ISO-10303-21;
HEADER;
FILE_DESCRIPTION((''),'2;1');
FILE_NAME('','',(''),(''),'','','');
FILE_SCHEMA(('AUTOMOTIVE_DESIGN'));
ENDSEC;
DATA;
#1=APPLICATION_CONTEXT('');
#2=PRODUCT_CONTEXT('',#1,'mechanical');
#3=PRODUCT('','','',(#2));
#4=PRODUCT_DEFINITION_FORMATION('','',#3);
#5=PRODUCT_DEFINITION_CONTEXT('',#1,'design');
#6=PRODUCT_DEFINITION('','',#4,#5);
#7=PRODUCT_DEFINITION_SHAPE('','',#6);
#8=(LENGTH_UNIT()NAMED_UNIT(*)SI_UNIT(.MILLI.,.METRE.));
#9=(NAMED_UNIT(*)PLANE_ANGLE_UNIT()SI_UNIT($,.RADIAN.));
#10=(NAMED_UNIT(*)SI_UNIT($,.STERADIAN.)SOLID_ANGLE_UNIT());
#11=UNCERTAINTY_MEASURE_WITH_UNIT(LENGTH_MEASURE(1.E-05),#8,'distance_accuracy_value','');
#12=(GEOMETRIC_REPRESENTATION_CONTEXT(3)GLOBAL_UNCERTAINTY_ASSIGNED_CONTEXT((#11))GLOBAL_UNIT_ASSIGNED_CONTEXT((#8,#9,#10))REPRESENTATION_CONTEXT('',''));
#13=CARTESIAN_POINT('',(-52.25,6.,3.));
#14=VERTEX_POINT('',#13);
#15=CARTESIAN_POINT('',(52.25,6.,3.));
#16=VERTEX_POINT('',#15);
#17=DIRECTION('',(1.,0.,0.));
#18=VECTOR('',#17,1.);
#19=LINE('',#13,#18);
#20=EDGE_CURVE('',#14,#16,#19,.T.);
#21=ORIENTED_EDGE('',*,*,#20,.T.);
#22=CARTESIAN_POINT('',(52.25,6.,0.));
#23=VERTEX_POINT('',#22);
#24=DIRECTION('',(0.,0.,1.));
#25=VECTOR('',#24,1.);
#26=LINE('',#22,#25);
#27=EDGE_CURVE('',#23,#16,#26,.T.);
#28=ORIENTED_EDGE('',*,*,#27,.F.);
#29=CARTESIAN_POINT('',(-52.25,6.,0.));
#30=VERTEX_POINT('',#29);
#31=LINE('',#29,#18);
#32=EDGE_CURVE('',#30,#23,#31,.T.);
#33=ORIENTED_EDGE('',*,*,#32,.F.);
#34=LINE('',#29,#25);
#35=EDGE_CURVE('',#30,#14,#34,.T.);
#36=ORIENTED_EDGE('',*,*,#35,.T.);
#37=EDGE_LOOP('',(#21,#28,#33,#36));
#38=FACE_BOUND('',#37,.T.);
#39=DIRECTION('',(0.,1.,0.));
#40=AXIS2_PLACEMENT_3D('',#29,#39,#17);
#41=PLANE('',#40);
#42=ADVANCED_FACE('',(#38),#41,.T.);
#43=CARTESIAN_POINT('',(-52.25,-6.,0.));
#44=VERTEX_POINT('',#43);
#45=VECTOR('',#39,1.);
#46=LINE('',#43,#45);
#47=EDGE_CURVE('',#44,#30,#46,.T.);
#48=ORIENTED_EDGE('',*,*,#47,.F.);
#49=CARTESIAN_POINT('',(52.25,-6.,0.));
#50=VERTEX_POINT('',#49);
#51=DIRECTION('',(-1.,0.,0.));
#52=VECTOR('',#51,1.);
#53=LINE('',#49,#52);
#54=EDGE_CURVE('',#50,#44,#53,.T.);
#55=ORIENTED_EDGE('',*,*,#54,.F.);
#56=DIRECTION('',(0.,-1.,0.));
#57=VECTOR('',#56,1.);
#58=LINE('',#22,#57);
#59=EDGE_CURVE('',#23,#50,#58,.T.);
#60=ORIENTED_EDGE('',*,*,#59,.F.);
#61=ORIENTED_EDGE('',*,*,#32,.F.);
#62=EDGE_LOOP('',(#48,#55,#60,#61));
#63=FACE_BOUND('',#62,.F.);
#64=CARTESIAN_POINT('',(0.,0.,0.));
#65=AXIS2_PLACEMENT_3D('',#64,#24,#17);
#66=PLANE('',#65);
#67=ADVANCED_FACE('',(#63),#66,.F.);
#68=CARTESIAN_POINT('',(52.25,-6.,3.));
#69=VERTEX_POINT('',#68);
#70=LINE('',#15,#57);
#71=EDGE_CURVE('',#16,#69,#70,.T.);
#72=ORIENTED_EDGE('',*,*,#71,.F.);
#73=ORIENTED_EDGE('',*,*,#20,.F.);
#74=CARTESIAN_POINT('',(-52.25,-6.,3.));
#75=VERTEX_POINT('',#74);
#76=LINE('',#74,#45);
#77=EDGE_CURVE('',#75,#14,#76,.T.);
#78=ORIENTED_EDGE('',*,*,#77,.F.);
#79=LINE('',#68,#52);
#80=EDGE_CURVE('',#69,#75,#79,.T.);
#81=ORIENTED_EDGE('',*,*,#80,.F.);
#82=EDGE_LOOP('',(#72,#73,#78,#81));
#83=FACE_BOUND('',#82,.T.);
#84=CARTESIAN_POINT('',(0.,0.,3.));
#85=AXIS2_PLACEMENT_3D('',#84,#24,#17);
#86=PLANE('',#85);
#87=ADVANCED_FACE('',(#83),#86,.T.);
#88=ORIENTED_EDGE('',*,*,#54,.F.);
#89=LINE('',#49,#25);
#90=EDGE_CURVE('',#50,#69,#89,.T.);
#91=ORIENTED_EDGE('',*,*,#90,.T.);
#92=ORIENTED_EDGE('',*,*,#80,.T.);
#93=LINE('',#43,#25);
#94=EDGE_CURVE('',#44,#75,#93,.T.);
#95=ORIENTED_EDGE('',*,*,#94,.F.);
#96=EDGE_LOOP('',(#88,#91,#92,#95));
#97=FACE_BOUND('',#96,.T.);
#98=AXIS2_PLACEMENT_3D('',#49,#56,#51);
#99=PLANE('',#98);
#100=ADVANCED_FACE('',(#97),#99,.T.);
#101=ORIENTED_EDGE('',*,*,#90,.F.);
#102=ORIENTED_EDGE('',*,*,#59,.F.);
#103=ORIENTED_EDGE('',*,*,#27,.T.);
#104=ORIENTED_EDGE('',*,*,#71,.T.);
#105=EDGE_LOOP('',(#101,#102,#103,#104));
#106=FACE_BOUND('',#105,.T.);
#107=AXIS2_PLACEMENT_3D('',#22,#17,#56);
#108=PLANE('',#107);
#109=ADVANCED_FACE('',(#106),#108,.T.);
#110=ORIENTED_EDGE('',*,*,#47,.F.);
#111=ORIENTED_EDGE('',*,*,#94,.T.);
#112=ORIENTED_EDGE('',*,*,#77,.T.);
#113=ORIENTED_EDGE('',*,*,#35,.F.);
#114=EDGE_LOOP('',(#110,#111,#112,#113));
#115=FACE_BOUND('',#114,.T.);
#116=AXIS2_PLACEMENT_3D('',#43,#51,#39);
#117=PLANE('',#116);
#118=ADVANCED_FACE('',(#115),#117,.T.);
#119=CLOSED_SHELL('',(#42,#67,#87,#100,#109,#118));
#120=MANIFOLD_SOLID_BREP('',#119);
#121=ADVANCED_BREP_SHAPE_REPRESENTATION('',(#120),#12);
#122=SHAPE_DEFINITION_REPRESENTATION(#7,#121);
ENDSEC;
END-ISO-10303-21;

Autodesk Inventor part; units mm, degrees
ref_plane "YZ Plane" through (0, 0, 0) normal (1, 0, 0) x (0, 1, 0)
ref_plane "XZ Plane" through (0, 0, 0) normal (0, 1, 0) x (-1, 0, 0)
ref_plane "XY Plane" through (0, 0, 0) normal (0, 0, 1) x (1, 0, 0)
sketch "Эскиз1" plane through (0, 0, 0) normal (0, 0, 1) x (1, 0, 0)
  line L0 (-52.25, 6) -> (52.25, 6)
  line L1 (52.25, 6) -> (52.25, -6)
  line L2 (52.25, -6) -> (-52.25, -6)
  line L3 (-52.25, -6) -> (-52.25, 6)
  line L4 (-52.25, 6) -> (52.25, -6) construction
  line L5 (52.25, 6) -> (-52.25, -6) construction
  point P0 (0, 0)
  dimension "d0" = 104.5
  dimension "d1" = 12
extrude "Выдавливание1" add sketch "Эскиз1" along normal blind 3
properties part number "рот"
